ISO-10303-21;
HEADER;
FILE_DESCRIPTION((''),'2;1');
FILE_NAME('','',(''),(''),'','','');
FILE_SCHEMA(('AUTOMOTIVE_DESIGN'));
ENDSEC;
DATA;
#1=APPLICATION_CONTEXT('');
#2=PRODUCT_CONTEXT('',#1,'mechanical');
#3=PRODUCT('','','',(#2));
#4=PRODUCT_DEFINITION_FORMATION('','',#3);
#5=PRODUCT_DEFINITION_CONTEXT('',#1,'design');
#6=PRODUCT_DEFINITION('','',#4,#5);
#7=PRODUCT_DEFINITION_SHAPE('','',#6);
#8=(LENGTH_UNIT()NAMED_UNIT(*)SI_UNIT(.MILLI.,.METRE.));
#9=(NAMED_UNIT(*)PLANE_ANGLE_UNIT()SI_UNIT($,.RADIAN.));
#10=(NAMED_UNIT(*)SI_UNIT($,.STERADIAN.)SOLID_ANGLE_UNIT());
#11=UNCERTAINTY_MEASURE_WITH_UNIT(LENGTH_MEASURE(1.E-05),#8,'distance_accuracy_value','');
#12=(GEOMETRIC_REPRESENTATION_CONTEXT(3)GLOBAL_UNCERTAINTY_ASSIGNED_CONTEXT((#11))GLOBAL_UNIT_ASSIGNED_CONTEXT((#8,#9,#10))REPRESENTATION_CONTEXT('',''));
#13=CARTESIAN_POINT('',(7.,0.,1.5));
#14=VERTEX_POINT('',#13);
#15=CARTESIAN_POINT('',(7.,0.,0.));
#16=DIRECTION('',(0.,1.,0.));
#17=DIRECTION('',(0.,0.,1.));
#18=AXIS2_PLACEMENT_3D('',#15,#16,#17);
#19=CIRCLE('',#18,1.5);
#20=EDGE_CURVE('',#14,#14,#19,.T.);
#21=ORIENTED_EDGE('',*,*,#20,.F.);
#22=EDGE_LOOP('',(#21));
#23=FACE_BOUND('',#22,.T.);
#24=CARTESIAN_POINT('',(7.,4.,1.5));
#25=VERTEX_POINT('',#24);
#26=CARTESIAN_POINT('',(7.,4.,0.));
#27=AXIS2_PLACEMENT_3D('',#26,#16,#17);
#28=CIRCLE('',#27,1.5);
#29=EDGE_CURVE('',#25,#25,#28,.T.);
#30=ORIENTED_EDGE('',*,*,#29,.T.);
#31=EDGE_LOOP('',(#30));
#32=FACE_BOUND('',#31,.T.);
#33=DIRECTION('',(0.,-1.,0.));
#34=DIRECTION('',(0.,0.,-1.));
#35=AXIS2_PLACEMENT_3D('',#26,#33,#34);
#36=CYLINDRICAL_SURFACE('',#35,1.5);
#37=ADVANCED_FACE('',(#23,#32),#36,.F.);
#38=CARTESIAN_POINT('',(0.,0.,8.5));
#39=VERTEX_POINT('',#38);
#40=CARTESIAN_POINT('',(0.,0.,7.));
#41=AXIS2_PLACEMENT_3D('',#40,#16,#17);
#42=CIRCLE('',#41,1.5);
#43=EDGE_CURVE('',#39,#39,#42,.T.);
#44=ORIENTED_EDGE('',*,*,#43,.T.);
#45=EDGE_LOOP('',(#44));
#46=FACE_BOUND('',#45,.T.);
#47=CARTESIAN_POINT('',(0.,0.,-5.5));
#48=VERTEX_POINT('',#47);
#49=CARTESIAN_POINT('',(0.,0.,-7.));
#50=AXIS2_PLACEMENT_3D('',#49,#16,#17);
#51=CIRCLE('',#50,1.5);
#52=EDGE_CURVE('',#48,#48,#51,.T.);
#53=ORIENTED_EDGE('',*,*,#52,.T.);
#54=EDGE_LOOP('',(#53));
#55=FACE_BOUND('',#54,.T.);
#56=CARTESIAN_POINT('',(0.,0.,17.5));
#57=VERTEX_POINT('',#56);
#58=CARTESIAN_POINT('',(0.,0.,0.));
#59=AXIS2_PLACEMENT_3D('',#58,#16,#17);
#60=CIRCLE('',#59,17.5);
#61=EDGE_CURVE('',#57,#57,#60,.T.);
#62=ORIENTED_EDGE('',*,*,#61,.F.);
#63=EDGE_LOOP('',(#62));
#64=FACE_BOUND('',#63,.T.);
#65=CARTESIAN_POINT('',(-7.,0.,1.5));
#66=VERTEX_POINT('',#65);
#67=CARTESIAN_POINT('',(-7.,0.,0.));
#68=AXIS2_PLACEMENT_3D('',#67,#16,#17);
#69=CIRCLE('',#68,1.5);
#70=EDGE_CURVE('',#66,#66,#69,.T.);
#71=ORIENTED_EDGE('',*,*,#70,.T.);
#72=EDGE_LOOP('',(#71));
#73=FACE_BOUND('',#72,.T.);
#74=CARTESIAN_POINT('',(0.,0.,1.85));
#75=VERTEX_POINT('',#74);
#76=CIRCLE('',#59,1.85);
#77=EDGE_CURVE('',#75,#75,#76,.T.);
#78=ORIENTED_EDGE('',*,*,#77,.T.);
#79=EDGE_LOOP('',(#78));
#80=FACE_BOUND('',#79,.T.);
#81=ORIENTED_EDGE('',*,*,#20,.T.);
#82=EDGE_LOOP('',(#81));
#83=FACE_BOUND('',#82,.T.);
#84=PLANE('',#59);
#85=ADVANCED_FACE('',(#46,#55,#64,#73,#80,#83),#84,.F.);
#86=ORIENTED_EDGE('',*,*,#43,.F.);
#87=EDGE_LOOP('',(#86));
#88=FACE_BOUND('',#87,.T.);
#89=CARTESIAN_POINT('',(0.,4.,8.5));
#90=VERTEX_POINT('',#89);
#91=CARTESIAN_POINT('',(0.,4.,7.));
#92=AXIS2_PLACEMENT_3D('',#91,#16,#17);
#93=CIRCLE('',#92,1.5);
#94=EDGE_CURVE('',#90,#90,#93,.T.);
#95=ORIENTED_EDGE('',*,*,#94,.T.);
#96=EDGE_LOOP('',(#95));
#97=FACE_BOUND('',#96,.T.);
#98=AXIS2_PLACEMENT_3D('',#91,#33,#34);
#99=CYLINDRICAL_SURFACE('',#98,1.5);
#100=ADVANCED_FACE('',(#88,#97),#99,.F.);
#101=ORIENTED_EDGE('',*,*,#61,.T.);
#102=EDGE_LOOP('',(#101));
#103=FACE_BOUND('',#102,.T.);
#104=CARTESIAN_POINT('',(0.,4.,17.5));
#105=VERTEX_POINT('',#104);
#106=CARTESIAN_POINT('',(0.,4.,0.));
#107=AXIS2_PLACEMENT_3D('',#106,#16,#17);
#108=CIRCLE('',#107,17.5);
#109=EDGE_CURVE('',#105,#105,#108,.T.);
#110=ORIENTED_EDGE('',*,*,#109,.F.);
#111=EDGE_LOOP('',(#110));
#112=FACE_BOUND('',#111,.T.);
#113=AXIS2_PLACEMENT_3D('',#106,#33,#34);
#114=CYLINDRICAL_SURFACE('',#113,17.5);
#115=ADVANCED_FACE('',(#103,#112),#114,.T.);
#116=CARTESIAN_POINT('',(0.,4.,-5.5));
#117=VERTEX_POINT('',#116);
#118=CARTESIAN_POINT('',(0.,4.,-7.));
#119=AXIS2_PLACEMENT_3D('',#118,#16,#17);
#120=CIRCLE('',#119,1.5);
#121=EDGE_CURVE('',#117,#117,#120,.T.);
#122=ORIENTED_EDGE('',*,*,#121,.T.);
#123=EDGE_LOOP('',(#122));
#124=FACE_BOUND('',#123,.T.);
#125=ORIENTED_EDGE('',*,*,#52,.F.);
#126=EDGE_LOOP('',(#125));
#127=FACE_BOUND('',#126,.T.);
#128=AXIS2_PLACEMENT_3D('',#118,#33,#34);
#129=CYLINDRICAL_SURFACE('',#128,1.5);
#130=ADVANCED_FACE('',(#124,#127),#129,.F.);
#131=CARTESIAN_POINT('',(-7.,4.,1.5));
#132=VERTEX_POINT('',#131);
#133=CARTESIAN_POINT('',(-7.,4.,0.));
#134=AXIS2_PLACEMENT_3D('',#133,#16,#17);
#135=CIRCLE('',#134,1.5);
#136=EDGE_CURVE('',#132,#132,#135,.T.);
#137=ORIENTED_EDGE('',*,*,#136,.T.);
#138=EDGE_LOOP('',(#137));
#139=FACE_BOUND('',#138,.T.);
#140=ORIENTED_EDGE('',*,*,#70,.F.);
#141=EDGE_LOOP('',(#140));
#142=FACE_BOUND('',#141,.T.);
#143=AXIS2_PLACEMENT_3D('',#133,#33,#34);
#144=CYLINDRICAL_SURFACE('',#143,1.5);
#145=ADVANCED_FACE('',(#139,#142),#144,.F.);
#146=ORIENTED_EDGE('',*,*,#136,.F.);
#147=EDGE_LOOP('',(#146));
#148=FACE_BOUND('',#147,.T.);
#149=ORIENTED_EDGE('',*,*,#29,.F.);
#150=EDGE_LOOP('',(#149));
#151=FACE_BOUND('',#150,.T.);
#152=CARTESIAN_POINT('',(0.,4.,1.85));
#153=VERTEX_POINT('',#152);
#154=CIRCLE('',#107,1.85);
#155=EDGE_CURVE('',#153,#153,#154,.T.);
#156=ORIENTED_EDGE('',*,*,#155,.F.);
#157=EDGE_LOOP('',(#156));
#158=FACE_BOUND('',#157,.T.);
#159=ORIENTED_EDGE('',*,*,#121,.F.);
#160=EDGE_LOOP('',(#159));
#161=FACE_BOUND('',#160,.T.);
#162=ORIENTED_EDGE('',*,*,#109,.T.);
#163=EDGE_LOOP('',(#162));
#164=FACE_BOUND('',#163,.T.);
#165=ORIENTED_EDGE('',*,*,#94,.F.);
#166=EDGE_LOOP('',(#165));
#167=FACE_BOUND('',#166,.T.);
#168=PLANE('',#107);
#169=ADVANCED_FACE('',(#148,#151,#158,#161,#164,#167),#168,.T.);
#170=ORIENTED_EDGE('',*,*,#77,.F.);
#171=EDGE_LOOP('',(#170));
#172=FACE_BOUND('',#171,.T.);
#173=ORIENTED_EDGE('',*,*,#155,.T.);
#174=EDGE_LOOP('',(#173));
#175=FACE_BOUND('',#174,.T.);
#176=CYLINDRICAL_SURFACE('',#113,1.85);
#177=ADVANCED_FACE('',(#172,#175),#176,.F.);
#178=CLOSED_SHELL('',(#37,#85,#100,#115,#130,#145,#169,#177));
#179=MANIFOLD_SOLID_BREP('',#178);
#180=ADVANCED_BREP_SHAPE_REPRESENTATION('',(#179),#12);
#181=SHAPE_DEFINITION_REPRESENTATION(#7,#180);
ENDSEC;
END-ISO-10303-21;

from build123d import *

# Parameters (mm, degrees)
SKETCH1_R           = 17.5
SKETCH1_R_2         = 1.85
SKETCH1_R_3         = 1.5
BOSS_EXTRUDE1_DEPTH = 4


with BuildPart() as part:
    # Sketch1 → Boss-Extrude1 (new body)
    with BuildSketch(Plane(origin=(0, 0, 0), x_dir=(1, 0, 0), z_dir=(0, 1, 0))):
        with Locations(Location((0, 0, 0), (0, 0, 270))):
            Circle(SKETCH1_R)
        with Locations(Location((0, 0, 0), (0, 0, 270))):
            Circle(SKETCH1_R_2, mode=Mode.SUBTRACT)
        with Locations(Location((-7, 0, 0), (0, 0, 270))):
            Circle(SKETCH1_R_3, mode=Mode.SUBTRACT)
        with Locations(Location((0, 7, 0), (0, 0, 270))):
            Circle(SKETCH1_R_3, mode=Mode.SUBTRACT)
        with Locations(Location((7, 0, 0), (0, 0, 270))):
            Circle(SKETCH1_R_3, mode=Mode.SUBTRACT)
        with Locations(Location((0, -7, 0), (0, 0, 270))):
            Circle(SKETCH1_R_3, mode=Mode.SUBTRACT)
    extrude(amount=BOSS_EXTRUDE1_DEPTH)


solid = part.part
